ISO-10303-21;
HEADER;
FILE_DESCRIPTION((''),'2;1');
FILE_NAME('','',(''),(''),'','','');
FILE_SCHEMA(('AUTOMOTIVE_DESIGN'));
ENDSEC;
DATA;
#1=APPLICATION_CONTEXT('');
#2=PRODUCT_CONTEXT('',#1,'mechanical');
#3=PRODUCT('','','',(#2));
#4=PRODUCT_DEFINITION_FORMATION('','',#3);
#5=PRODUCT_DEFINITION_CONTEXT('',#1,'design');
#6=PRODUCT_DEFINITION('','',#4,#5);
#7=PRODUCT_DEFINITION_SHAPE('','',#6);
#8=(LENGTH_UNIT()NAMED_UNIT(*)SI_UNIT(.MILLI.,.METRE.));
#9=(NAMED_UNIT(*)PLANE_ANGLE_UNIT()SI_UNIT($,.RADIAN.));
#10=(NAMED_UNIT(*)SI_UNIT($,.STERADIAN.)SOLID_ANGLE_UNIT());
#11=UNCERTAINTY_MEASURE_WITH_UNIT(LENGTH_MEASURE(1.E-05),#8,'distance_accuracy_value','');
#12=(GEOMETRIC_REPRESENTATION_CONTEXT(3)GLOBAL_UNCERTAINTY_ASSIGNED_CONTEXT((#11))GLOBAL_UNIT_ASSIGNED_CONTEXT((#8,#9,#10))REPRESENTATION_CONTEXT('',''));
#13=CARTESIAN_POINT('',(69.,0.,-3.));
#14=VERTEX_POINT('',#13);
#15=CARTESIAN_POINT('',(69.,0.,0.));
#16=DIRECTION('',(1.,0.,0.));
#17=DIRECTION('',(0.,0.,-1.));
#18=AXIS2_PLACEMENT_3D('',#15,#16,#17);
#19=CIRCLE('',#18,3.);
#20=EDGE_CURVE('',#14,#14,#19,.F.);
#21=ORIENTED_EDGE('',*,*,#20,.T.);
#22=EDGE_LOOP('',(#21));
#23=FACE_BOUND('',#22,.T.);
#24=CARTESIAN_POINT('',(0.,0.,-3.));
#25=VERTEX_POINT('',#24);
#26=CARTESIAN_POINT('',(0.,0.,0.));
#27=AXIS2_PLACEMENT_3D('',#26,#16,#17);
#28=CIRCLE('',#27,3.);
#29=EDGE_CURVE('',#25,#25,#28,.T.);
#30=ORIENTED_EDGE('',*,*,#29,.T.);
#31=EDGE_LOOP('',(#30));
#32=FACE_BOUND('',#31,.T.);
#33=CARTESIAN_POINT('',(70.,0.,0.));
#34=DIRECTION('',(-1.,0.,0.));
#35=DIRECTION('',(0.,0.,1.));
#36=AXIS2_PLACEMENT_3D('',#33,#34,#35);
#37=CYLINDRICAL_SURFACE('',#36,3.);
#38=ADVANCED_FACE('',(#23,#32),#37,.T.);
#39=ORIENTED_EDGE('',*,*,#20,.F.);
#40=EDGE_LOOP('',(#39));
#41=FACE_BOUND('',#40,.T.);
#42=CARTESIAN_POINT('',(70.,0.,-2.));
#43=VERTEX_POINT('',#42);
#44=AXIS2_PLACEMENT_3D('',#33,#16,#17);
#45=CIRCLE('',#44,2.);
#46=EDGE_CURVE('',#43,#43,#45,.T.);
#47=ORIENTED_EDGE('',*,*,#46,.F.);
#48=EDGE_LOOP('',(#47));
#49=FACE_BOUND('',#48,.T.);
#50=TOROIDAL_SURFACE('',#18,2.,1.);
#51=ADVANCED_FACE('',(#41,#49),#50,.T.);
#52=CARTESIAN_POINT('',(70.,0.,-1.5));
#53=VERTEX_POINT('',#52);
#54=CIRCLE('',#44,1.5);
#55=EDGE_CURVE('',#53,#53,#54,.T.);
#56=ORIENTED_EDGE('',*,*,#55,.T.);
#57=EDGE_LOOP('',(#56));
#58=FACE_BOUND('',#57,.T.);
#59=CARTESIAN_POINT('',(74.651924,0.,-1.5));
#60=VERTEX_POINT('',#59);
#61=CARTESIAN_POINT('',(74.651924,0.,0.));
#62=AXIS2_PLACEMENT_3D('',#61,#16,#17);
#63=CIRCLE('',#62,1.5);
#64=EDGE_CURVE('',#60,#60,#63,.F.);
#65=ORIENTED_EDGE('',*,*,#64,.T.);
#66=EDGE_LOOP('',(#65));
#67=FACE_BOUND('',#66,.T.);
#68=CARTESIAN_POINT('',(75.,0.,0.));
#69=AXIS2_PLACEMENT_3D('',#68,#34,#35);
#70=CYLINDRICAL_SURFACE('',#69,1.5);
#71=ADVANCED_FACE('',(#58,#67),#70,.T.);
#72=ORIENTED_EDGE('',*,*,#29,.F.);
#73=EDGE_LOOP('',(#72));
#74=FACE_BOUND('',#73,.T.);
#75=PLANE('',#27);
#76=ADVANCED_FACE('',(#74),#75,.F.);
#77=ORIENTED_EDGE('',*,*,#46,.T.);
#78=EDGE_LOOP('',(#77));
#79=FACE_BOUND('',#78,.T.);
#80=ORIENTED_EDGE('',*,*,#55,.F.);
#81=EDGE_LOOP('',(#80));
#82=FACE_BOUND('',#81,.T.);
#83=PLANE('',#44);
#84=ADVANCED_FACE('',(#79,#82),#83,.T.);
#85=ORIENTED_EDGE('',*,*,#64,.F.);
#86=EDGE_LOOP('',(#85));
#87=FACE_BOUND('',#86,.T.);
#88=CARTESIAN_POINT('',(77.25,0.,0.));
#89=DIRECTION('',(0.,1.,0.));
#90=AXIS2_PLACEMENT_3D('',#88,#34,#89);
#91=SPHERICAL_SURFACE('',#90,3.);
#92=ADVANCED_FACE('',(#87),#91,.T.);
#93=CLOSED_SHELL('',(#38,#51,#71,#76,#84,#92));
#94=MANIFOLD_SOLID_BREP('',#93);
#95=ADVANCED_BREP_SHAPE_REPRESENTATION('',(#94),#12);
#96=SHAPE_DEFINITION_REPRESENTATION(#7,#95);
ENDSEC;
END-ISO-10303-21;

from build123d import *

# Parameters (mm, degrees)
SKETCH2_R           = 3
BOSS_EXTRUDE1_DEPTH = 70
SKETCH3_R           = 1.5
BOSS_EXTRUDE2_DEPTH = 5
FILLET1_R           = 1


with BuildPart() as part:
    # Sketch2 → Boss-Extrude1 (new body)
    with BuildSketch(Plane(origin=(0, 0, 0), x_dir=(0, 0, -1), z_dir=(1, 0, 0))):
        Circle(SKETCH2_R)
    extrude(amount=BOSS_EXTRUDE1_DEPTH)

    # Sketch3 → Boss-Extrude2 (add)
    with BuildSketch(Plane(origin=(70, 0, 0), x_dir=(0, 0, -1), z_dir=(1, 0, 0))):
        Circle(SKETCH3_R)
    extrude(amount=BOSS_EXTRUDE2_DEPTH)

    # Fillet1
    fillet1_edges = [part.edges().sort_by_distance(p)[0] for p in [
        (70, 0, 3),
    ]]
    fillet(fillet1_edges, radius=FILLET1_R)

    # Sketch4 → Revolve1 (revolve)
    with BuildSketch(Plane.XY):
        with BuildLine():
            Line((75, 0), (77.25, 0))
            Line((77.25, 0), (80.25, 0))
            ThreePointArc((80.25, 0), (77.25, -3), (74.25, 0))
            Line((74.25, 0), (75, 0))
        make_face()
    revolve(axis=Axis((75, 0, 0), (1, 0, 0)))


solid = part.part
